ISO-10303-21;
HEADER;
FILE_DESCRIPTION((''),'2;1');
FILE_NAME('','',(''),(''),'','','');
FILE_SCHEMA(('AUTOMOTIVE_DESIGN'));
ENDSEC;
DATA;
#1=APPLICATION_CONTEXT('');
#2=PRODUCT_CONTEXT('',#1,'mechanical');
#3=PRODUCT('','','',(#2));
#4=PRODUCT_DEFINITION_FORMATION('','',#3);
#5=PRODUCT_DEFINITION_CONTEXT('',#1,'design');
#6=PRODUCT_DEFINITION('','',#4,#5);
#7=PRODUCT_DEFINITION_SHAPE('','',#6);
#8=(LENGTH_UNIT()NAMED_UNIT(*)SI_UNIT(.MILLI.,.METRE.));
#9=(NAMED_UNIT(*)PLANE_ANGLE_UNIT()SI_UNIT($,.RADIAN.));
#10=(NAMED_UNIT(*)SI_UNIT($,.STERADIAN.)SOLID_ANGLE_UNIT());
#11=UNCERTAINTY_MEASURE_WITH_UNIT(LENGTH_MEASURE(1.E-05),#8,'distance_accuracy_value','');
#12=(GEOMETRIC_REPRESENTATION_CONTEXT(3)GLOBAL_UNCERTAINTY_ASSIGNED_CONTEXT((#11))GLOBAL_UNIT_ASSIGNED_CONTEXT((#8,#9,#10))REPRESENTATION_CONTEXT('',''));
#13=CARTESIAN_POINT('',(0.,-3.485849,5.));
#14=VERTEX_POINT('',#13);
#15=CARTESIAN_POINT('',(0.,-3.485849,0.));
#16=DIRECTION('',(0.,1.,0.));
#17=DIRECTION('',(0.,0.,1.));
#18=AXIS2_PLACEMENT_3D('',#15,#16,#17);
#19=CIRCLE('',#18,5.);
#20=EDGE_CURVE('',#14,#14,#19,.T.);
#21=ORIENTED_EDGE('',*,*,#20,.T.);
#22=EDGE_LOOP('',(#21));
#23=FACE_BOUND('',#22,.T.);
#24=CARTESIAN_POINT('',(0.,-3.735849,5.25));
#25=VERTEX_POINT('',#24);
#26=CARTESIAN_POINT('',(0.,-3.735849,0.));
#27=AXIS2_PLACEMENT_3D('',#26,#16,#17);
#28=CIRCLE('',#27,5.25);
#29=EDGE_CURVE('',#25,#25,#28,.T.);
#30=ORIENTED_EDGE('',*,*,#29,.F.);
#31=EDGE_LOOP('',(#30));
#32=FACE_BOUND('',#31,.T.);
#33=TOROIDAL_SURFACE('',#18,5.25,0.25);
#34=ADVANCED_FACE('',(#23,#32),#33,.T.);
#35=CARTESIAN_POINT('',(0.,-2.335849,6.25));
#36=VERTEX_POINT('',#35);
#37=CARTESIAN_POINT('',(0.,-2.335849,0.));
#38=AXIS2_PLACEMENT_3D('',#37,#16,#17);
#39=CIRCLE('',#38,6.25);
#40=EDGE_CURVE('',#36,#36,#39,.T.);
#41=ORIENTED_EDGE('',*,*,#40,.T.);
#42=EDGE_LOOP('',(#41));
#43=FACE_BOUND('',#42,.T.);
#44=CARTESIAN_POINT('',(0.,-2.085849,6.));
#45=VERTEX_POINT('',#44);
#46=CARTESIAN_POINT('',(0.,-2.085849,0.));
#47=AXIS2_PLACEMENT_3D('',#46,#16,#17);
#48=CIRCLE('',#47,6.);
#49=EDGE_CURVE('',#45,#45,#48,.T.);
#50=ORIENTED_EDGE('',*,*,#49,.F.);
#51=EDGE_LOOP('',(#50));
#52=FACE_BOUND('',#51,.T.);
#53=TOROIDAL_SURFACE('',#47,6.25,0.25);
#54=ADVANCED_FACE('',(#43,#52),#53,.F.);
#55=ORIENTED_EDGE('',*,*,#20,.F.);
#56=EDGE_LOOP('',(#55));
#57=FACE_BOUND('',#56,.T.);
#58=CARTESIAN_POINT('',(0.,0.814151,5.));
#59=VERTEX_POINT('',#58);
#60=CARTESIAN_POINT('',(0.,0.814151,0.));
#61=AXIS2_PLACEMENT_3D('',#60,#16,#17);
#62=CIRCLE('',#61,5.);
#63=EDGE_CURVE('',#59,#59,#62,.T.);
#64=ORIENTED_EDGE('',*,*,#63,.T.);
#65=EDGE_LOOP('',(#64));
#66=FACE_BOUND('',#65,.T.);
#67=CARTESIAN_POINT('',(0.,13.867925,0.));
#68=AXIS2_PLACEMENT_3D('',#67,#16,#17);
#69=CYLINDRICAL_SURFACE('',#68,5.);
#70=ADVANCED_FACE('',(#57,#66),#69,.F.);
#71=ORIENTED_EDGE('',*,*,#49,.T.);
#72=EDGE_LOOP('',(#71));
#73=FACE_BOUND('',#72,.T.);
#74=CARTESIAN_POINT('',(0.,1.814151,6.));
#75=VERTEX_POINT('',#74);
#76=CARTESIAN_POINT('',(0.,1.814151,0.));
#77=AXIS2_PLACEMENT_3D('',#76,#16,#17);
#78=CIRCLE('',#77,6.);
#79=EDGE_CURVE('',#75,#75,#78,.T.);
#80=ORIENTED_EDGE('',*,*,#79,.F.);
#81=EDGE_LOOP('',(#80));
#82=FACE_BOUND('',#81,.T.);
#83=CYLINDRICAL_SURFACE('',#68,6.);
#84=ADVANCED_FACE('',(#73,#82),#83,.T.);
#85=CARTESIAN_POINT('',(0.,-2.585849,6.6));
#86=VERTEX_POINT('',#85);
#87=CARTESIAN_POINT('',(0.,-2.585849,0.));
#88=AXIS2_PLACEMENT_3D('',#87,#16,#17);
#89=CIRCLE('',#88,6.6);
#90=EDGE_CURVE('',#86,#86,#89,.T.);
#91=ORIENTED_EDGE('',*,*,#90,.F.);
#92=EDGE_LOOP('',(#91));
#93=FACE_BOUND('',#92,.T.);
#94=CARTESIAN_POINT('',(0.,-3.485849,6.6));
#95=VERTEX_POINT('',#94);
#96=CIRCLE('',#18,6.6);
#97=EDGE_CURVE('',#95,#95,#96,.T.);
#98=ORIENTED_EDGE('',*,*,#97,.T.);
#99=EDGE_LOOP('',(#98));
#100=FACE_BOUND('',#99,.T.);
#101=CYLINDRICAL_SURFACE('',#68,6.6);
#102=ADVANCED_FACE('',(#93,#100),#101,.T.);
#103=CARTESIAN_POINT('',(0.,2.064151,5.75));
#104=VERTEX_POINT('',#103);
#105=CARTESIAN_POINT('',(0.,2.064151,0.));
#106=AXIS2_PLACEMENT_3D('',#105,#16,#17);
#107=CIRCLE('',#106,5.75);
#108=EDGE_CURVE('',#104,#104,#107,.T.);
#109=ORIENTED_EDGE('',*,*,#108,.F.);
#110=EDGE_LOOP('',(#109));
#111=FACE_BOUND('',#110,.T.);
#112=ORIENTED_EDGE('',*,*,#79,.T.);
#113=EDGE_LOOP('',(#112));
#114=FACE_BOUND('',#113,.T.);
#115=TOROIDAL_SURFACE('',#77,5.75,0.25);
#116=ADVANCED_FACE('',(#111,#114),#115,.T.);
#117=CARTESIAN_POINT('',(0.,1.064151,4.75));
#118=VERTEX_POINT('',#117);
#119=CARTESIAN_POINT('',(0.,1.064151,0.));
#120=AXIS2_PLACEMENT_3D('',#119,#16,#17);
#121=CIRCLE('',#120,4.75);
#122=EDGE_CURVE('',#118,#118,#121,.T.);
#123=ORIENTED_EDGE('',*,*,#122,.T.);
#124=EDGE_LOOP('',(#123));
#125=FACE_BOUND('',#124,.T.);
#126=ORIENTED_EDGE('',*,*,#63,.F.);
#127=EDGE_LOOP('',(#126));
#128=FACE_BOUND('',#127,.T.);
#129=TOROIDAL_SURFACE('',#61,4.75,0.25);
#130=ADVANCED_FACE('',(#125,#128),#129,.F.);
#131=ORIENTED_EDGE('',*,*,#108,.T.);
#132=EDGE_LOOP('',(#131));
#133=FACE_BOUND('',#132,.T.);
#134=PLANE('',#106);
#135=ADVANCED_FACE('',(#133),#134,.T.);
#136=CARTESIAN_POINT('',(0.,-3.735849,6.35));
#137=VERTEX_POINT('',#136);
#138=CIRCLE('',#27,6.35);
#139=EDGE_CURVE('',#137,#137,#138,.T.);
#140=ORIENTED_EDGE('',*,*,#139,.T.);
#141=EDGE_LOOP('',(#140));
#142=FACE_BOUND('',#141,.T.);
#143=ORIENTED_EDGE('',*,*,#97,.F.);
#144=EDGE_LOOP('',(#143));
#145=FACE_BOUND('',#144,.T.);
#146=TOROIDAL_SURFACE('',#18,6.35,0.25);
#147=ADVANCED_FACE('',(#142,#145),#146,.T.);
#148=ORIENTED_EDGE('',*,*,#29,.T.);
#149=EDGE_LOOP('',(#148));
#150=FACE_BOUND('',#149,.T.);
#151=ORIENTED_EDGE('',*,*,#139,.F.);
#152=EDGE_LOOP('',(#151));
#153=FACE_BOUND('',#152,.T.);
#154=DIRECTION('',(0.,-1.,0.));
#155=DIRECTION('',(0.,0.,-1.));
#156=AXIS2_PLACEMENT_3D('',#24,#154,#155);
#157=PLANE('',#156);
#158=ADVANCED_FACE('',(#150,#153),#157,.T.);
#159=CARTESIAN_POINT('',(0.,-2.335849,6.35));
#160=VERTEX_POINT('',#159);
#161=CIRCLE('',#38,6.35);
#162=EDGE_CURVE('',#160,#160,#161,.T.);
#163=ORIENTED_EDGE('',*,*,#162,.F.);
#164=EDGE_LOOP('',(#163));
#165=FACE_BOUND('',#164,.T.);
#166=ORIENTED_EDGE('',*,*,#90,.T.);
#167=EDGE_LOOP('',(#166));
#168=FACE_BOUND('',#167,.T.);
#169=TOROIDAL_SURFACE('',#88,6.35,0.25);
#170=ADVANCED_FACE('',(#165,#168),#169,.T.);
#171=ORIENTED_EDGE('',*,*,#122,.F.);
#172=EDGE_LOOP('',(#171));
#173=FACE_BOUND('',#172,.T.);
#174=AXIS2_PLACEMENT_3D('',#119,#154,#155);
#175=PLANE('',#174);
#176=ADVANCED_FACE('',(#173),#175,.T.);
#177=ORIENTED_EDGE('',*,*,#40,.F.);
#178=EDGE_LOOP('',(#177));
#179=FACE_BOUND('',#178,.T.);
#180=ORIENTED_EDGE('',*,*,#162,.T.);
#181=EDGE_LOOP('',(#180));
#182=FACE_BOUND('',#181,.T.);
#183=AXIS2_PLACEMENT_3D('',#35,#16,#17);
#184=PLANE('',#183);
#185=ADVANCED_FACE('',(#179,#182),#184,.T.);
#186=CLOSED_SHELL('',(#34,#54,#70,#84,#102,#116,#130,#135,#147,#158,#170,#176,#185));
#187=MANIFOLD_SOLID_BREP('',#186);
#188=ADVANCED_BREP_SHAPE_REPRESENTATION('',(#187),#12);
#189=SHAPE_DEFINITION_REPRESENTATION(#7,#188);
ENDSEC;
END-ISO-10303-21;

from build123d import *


with BuildPart() as part:
    # Sketch1 → Revolve1 (revolve)
    with BuildSketch(Plane(origin=(0, 0, 0), x_dir=(0, 0, -1), z_dir=(1, 0, 0))):
        with BuildLine():
            Line((0, 2.064150943), (-5.75, 2.064150943))
            ThreePointArc((-5.75, 2.064150943), (-5.926776695, 1.990927639), (-6, 1.814150943))
            Line((-6, 1.814150943), (-6, -2.085849057))
            ThreePointArc((-6, -2.085849057), (-6.073223305, -2.262625752), (-6.25, -2.335849057))
            Line((-6.25, -2.335849057), (-6.35, -2.335849057))
            ThreePointArc((-6.35, -2.335849057), (-6.526776695, -2.409072361), (-6.6, -2.585849057))
            Line((-6.6, -2.585849057), (-6.6, -3.485849057))
            ThreePointArc((-6.6, -3.485849057), (-6.526776695, -3.662625752), (-6.35, -3.735849057))
            Line((-6.35, -3.735849057), (-5.25, -3.735849057))
            ThreePointArc((-5.25, -3.735849057), (-5.073223305, -3.662625752), (-5, -3.485849057))
            Line((-5, -3.485849057), (-5, 0.814150943))
            ThreePointArc((-5, 0.814150943), (-4.926776695, 0.990927639), (-4.75, 1.064150943))
            Line((-4.75, 1.064150943), (0, 1.064150943))
            Line((0, 1.064150943), (0, 2.064150943))
        make_face()
    revolve(axis=Axis((0, 13.867924528, 0), (0, -1, 0)))


solid = part.part
